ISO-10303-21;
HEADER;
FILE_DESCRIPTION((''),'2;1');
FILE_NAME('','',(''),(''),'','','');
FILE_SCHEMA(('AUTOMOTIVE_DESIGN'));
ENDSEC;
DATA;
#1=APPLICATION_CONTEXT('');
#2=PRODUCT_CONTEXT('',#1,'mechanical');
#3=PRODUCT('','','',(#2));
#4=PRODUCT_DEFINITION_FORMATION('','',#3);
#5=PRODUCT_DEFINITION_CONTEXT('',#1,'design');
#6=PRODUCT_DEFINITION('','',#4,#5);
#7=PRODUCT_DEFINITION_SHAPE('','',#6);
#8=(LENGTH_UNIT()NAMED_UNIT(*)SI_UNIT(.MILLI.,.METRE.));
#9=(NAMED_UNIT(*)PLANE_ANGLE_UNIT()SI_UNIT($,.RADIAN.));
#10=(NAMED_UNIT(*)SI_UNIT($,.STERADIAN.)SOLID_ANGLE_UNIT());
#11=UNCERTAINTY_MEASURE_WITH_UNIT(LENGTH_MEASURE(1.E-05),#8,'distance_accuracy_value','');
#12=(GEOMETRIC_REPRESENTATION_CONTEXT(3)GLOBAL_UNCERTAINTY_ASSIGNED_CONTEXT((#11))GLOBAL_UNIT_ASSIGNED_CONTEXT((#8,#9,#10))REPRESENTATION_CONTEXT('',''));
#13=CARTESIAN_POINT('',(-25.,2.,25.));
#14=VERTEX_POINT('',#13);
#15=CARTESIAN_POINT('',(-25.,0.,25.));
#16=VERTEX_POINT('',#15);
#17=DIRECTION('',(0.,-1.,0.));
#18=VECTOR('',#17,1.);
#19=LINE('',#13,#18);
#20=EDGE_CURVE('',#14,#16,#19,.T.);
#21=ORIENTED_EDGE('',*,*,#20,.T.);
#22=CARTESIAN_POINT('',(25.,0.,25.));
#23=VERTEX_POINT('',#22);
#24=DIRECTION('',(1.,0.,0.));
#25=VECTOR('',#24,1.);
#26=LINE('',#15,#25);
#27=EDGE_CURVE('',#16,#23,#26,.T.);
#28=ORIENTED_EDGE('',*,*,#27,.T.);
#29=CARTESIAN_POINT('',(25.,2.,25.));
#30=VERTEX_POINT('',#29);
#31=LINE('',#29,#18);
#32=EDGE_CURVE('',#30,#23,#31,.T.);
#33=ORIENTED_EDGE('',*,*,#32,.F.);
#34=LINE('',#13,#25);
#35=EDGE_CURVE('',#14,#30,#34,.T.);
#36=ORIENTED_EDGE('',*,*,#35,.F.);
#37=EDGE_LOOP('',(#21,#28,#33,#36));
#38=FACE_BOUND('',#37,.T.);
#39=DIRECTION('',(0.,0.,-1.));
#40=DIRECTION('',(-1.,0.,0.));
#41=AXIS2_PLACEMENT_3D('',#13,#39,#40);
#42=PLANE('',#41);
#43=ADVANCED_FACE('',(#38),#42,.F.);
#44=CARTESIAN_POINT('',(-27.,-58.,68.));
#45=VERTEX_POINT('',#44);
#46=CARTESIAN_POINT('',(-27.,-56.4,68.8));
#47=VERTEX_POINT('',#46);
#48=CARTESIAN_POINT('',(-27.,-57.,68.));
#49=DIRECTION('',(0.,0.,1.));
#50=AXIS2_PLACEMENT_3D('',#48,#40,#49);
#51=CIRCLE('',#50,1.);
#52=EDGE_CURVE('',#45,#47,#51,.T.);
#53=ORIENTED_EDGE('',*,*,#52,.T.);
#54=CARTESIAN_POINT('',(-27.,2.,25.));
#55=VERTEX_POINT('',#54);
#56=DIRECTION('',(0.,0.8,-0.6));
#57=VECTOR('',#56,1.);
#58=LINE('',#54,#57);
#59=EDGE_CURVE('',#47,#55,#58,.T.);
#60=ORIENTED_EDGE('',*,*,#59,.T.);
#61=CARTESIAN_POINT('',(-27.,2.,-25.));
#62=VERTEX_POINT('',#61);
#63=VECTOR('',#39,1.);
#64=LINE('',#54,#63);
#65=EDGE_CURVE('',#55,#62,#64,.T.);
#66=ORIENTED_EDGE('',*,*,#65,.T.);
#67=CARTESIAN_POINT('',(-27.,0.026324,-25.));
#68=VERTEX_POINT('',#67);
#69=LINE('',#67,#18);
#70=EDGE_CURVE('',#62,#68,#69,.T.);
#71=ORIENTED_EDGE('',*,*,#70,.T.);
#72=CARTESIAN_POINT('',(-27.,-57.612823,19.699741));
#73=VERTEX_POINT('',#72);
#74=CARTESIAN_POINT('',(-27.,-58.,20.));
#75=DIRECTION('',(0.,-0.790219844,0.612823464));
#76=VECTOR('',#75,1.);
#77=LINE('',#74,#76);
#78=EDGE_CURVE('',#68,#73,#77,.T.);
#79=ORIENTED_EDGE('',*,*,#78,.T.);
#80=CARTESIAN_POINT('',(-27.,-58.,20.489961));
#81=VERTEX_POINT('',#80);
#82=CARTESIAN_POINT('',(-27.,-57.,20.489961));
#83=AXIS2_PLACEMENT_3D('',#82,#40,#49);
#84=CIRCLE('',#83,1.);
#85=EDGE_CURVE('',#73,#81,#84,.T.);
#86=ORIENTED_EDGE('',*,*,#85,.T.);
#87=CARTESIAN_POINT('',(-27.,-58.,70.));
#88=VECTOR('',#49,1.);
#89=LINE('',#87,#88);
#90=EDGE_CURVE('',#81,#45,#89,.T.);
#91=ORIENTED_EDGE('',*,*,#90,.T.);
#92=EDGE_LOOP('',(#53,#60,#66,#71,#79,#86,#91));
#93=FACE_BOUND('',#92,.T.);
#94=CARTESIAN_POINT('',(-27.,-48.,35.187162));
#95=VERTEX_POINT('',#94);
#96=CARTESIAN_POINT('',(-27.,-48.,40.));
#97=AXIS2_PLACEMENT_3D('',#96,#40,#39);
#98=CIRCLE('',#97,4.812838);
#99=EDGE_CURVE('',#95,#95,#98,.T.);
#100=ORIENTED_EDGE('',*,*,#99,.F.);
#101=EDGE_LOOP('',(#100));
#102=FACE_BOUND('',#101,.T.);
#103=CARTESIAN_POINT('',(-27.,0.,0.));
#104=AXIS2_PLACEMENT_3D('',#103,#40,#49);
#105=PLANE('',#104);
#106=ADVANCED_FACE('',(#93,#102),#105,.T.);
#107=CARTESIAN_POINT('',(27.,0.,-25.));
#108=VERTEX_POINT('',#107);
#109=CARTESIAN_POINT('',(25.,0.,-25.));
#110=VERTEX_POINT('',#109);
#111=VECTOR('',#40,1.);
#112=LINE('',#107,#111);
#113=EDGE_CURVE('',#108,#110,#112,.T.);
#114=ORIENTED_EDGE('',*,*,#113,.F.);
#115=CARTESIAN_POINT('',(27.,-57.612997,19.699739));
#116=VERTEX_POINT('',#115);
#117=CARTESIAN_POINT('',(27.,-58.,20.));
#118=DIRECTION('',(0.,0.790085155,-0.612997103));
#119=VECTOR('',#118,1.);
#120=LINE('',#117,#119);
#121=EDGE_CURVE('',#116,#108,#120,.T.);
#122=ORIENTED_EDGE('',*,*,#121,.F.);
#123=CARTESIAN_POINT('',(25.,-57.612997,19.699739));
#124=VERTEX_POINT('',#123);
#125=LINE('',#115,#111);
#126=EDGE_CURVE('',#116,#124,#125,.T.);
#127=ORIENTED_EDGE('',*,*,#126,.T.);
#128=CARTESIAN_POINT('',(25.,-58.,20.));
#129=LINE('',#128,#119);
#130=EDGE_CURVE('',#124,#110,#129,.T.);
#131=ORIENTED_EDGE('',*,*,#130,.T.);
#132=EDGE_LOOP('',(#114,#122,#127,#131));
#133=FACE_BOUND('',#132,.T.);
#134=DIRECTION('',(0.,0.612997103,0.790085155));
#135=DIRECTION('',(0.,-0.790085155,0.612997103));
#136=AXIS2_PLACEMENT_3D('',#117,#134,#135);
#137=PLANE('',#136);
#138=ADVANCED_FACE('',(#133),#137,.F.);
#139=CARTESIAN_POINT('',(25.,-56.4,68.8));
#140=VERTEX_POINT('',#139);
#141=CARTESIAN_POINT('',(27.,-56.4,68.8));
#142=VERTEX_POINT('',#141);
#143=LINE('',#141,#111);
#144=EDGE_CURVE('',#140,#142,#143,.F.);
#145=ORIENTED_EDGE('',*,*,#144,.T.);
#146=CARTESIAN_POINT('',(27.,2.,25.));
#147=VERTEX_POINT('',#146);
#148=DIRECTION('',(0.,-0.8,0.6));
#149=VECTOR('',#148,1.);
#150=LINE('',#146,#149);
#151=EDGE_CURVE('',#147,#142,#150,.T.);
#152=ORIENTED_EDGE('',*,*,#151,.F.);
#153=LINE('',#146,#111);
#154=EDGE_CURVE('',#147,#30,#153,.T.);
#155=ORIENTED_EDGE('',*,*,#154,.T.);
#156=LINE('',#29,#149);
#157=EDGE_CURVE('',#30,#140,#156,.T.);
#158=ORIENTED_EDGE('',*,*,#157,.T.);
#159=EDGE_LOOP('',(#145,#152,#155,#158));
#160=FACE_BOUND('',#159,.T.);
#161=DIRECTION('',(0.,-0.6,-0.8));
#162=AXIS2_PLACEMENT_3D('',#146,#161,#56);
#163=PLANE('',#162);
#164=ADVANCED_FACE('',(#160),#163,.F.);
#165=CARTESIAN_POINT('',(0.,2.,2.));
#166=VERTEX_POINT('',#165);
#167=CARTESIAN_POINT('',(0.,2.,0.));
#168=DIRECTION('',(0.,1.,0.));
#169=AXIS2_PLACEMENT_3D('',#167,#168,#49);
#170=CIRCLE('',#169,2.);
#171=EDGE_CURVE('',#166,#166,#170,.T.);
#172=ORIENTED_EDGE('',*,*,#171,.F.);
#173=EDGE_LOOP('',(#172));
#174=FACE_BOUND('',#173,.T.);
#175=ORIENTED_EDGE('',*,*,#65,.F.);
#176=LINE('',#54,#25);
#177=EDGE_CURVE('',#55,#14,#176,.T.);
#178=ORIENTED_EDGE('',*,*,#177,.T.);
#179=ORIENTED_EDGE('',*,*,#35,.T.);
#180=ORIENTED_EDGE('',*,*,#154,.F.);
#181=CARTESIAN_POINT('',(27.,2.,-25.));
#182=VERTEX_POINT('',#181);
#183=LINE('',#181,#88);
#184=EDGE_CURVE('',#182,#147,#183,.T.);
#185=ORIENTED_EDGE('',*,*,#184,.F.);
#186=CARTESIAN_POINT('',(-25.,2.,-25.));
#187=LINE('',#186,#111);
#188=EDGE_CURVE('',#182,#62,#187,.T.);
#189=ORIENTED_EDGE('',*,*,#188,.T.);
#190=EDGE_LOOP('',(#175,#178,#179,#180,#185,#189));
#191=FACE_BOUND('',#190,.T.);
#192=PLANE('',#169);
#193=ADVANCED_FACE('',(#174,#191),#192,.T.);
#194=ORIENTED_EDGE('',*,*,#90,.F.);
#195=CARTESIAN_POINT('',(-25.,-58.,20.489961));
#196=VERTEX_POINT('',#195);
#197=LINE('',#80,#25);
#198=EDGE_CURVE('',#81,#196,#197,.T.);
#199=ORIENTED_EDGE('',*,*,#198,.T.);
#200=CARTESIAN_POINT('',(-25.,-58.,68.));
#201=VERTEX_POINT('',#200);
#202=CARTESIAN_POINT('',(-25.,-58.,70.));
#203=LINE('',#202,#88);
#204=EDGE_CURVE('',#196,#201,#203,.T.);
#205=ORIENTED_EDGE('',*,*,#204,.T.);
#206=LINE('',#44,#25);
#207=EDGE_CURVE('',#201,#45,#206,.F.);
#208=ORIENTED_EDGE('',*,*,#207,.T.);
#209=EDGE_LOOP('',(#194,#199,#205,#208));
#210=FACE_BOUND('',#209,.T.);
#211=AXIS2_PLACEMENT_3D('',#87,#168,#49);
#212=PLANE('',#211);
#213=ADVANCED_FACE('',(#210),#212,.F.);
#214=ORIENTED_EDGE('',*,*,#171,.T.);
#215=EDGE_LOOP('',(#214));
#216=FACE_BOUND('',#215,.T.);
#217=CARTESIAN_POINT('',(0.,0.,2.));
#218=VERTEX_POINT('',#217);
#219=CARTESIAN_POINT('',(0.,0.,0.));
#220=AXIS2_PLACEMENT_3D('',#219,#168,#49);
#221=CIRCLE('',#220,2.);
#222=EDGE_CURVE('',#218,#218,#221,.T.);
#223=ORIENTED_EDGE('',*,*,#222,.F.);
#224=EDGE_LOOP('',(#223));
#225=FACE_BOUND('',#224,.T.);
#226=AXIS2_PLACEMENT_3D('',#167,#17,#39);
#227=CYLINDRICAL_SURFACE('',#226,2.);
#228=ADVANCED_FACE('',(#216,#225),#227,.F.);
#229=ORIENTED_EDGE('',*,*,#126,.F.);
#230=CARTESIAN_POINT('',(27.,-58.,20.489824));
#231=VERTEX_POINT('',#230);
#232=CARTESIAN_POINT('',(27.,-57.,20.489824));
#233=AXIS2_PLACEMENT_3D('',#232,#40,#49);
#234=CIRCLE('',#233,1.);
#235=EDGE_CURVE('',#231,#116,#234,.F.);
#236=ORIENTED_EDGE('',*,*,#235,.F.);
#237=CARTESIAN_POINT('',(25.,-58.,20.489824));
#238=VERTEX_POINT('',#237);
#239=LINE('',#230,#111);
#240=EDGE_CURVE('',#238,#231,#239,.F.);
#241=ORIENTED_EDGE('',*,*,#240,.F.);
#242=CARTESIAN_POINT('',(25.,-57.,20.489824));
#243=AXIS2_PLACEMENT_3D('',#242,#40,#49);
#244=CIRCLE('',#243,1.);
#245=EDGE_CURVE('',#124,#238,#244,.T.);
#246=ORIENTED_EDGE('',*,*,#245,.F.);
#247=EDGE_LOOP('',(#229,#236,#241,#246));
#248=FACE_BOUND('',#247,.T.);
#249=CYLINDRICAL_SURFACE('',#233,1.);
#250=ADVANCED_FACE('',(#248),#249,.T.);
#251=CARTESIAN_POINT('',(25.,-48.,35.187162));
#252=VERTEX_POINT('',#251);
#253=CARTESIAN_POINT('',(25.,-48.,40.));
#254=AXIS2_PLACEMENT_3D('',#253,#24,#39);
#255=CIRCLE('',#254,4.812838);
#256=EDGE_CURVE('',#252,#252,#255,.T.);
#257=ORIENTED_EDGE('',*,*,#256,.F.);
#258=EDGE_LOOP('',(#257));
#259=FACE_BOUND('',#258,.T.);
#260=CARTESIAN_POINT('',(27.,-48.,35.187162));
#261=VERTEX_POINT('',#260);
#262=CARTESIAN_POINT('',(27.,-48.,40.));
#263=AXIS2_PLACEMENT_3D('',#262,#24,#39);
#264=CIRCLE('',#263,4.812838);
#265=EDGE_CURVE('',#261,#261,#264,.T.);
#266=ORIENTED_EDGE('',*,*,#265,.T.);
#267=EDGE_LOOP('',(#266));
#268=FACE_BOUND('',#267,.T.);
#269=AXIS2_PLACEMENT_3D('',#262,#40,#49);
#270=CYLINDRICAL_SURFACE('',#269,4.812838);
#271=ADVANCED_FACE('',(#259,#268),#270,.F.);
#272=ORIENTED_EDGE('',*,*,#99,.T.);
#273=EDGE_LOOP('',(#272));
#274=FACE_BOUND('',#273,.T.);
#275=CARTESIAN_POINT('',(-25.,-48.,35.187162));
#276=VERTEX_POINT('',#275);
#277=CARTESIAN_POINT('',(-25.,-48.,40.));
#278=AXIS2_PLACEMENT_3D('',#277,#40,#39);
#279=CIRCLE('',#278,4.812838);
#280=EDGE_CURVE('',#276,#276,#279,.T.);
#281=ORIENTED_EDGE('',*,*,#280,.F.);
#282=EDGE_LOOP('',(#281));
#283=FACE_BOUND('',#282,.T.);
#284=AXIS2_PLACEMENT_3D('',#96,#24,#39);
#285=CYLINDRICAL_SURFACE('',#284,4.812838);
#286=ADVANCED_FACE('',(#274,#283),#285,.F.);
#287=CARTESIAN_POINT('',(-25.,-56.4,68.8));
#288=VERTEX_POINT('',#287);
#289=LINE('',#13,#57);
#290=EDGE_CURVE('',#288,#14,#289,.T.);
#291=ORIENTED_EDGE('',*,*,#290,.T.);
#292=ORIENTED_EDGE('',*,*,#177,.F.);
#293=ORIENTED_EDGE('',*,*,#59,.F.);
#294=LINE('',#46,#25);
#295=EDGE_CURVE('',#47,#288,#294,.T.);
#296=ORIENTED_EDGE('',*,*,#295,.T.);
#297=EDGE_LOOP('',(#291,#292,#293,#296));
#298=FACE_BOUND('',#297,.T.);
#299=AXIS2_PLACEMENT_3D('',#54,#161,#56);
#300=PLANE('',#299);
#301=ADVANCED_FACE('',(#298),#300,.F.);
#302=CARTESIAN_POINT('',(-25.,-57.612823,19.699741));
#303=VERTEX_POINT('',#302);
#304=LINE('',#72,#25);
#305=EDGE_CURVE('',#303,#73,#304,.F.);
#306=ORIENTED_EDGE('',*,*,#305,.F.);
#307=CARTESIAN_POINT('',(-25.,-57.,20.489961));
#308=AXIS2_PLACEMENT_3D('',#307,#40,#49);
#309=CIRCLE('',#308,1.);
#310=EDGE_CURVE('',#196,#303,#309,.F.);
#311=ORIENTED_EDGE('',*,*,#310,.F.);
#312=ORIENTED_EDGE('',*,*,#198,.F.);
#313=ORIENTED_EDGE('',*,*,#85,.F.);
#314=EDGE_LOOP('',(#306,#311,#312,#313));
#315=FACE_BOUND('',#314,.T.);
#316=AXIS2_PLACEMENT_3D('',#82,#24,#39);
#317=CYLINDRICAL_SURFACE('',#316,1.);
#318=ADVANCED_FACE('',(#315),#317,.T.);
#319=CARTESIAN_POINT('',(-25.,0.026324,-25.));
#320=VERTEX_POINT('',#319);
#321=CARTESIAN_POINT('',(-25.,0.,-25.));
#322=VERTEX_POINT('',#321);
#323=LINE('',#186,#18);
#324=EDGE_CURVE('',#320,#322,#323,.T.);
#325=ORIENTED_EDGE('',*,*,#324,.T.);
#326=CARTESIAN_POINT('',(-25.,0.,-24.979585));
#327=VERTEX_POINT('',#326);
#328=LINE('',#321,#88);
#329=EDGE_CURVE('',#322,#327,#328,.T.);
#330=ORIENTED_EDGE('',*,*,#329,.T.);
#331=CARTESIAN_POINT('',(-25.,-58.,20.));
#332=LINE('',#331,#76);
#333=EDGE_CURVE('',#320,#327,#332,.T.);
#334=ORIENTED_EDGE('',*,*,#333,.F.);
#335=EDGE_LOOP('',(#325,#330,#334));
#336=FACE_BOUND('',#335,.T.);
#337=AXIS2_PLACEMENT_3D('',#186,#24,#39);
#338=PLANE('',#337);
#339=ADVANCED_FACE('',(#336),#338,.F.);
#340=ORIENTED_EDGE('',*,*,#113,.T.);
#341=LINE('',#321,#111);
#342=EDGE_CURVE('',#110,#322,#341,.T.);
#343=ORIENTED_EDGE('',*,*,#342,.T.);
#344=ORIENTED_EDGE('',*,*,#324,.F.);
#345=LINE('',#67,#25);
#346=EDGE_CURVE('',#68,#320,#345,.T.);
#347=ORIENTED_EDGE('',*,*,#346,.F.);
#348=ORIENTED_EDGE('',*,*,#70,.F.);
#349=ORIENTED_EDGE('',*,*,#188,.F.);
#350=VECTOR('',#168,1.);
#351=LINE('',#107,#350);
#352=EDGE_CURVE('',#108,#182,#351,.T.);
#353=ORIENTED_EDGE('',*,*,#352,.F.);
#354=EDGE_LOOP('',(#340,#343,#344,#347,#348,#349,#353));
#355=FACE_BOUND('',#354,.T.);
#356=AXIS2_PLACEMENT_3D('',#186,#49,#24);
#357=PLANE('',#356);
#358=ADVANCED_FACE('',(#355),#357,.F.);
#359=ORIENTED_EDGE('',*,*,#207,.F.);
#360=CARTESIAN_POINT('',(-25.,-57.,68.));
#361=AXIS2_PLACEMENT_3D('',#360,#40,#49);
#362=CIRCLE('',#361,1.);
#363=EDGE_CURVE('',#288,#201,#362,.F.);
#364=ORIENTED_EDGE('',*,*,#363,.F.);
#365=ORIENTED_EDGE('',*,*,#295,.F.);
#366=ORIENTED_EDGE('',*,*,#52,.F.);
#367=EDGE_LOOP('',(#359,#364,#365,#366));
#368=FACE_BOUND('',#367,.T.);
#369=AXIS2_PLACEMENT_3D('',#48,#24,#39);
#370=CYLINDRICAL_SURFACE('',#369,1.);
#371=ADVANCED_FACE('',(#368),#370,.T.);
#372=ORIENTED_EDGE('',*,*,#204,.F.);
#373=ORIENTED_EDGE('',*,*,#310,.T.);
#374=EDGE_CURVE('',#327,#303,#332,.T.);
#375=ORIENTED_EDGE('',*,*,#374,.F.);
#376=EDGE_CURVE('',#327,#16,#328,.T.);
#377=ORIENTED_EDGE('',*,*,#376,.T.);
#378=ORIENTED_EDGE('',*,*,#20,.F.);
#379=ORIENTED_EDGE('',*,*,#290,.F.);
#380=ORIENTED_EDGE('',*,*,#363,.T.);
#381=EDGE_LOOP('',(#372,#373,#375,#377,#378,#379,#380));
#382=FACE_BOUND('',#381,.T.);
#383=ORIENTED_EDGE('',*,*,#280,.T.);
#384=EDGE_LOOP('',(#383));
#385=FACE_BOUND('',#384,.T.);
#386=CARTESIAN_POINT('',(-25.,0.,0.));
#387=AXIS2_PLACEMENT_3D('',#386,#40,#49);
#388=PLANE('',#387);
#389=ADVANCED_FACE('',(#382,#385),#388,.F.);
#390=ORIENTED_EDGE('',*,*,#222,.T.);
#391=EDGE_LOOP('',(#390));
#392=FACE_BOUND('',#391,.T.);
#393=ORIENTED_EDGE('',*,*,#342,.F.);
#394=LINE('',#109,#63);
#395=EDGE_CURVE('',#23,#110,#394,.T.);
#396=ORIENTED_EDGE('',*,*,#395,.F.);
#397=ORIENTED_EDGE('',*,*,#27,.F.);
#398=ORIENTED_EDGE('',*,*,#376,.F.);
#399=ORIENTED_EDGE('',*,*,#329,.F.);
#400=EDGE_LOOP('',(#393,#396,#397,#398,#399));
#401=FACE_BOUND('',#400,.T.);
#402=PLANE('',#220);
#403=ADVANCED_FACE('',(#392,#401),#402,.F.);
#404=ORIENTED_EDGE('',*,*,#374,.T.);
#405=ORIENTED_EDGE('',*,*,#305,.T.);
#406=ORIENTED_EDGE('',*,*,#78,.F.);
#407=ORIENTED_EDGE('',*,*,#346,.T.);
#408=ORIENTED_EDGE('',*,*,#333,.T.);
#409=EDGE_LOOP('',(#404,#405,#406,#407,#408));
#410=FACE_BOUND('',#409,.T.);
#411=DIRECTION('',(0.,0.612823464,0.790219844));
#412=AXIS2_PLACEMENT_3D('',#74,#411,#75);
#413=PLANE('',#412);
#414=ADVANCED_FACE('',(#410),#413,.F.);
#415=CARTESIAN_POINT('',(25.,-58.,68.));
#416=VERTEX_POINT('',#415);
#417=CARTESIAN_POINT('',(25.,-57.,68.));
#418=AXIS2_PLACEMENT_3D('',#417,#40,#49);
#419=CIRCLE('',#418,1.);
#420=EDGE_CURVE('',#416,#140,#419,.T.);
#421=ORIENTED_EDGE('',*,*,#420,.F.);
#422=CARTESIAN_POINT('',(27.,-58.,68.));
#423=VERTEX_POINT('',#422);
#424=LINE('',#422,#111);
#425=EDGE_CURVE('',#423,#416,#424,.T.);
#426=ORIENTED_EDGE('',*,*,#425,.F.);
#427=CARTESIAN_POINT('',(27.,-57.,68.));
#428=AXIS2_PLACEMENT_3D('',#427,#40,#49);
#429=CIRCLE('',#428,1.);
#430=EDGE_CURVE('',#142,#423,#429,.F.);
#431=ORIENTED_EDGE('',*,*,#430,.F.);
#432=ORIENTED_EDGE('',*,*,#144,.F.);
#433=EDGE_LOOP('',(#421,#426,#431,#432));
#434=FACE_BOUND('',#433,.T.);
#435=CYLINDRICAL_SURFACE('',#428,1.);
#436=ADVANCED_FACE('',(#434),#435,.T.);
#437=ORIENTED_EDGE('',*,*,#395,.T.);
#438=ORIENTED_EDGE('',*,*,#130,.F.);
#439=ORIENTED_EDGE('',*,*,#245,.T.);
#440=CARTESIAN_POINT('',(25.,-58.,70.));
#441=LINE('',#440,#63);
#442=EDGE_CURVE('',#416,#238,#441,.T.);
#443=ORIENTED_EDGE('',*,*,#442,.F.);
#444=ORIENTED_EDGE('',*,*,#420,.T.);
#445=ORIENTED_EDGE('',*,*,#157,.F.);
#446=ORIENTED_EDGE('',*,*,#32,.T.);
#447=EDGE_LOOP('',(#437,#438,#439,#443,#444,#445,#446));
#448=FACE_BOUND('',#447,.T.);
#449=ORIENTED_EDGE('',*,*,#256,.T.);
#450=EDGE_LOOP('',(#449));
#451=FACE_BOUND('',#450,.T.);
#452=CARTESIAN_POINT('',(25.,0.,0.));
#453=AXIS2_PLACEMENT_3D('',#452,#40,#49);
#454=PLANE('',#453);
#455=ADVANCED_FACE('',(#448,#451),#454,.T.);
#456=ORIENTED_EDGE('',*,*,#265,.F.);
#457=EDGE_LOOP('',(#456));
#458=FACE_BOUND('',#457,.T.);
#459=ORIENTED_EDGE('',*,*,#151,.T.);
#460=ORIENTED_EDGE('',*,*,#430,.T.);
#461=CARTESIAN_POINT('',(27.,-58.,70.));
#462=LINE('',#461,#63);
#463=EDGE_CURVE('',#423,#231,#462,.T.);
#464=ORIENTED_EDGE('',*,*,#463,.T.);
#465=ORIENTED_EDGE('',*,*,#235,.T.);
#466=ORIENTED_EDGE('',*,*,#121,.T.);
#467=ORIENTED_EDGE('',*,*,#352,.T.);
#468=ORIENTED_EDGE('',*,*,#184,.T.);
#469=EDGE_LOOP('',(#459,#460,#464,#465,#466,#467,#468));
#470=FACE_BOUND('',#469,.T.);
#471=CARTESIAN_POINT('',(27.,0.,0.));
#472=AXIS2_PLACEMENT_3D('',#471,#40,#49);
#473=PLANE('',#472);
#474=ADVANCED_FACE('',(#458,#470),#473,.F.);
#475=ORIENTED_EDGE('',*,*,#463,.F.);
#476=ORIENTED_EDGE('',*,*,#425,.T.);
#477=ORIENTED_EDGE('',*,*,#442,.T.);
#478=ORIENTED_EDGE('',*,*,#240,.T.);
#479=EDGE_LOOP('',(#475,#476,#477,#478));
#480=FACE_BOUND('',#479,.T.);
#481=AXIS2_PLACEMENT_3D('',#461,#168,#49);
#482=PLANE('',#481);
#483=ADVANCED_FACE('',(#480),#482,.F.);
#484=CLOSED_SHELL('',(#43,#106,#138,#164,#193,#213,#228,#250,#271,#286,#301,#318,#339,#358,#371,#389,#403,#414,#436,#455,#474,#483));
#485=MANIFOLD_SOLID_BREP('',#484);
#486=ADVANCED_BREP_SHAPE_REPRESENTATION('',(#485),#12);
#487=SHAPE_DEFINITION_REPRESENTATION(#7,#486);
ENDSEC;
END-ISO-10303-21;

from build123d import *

# Parameters (mm, degrees)
SKETCH2_W           = 50
SKETCH2_H           = 50
SKETCH2_R           = 2
BOSS_EXTRUDE1_DEPTH = 2
SKETCH4_R           = 4.812837504
BOSS_EXTRUDE2_DEPTH = 2
BOSS_EXTRUDE3_START = 2
SKETCH3_R           = 4.812837504
BOSS_EXTRUDE3_DEPTH = 2
FILLET1_R           = 1
FILLET2_R           = 1


with BuildPart() as part:
    # Sketch2 → Boss-Extrude1 (new body)
    with BuildSketch(Plane(origin=(0, 0, 0), x_dir=(1, 0, 0), z_dir=(0, 1, 0))):
        Rectangle(SKETCH2_W, SKETCH2_H)
        with Locations(Location((0, 0, 0), (0, 0, 270))):
            Circle(SKETCH2_R, mode=Mode.SUBTRACT)
    extrude(amount=BOSS_EXTRUDE1_DEPTH)

    # Sketch4 → Boss-Extrude2 (add)
    with BuildSketch(Plane.ZY.offset(25)):
        Polygon((25, 2), (-25, 2), (-25, 0.026324244), (20, -58), (70, -58), align=None)
        with Locations(Location((40, -48, 0), (0, 0, 180))):
            Circle(SKETCH4_R, mode=Mode.SUBTRACT)
    extrude(amount=BOSS_EXTRUDE2_DEPTH)

    # Sketch3 → Boss-Extrude3 (add)
    with BuildSketch(Plane(origin=(25, 0, 0), x_dir=(0, 0, -1), z_dir=(1, 0, 0)).offset(BOSS_EXTRUDE3_START)):
        Polygon((-25, 2), (-70, -58), (-20, -58), (25, 0), (25, 2), align=None)
        with Locations((-40, -48)):
            Circle(SKETCH3_R, mode=Mode.SUBTRACT)
    extrude(amount=-BOSS_EXTRUDE3_DEPTH)

    # Fillet1
    fillet1_edges = [part.edges().sort_by_distance(p)[0] for p in [
        (-26, -58, 20),
        (26, -58, 20),
    ]]
    fillet(fillet1_edges, radius=FILLET1_R)

    # Fillet2
    fillet2_edges = [part.edges().sort_by_distance(p)[0] for p in [
        (-26, -58, 70),
        (26, -58, 70),
    ]]
    fillet(fillet2_edges, radius=FILLET2_R)


solid = part.part
